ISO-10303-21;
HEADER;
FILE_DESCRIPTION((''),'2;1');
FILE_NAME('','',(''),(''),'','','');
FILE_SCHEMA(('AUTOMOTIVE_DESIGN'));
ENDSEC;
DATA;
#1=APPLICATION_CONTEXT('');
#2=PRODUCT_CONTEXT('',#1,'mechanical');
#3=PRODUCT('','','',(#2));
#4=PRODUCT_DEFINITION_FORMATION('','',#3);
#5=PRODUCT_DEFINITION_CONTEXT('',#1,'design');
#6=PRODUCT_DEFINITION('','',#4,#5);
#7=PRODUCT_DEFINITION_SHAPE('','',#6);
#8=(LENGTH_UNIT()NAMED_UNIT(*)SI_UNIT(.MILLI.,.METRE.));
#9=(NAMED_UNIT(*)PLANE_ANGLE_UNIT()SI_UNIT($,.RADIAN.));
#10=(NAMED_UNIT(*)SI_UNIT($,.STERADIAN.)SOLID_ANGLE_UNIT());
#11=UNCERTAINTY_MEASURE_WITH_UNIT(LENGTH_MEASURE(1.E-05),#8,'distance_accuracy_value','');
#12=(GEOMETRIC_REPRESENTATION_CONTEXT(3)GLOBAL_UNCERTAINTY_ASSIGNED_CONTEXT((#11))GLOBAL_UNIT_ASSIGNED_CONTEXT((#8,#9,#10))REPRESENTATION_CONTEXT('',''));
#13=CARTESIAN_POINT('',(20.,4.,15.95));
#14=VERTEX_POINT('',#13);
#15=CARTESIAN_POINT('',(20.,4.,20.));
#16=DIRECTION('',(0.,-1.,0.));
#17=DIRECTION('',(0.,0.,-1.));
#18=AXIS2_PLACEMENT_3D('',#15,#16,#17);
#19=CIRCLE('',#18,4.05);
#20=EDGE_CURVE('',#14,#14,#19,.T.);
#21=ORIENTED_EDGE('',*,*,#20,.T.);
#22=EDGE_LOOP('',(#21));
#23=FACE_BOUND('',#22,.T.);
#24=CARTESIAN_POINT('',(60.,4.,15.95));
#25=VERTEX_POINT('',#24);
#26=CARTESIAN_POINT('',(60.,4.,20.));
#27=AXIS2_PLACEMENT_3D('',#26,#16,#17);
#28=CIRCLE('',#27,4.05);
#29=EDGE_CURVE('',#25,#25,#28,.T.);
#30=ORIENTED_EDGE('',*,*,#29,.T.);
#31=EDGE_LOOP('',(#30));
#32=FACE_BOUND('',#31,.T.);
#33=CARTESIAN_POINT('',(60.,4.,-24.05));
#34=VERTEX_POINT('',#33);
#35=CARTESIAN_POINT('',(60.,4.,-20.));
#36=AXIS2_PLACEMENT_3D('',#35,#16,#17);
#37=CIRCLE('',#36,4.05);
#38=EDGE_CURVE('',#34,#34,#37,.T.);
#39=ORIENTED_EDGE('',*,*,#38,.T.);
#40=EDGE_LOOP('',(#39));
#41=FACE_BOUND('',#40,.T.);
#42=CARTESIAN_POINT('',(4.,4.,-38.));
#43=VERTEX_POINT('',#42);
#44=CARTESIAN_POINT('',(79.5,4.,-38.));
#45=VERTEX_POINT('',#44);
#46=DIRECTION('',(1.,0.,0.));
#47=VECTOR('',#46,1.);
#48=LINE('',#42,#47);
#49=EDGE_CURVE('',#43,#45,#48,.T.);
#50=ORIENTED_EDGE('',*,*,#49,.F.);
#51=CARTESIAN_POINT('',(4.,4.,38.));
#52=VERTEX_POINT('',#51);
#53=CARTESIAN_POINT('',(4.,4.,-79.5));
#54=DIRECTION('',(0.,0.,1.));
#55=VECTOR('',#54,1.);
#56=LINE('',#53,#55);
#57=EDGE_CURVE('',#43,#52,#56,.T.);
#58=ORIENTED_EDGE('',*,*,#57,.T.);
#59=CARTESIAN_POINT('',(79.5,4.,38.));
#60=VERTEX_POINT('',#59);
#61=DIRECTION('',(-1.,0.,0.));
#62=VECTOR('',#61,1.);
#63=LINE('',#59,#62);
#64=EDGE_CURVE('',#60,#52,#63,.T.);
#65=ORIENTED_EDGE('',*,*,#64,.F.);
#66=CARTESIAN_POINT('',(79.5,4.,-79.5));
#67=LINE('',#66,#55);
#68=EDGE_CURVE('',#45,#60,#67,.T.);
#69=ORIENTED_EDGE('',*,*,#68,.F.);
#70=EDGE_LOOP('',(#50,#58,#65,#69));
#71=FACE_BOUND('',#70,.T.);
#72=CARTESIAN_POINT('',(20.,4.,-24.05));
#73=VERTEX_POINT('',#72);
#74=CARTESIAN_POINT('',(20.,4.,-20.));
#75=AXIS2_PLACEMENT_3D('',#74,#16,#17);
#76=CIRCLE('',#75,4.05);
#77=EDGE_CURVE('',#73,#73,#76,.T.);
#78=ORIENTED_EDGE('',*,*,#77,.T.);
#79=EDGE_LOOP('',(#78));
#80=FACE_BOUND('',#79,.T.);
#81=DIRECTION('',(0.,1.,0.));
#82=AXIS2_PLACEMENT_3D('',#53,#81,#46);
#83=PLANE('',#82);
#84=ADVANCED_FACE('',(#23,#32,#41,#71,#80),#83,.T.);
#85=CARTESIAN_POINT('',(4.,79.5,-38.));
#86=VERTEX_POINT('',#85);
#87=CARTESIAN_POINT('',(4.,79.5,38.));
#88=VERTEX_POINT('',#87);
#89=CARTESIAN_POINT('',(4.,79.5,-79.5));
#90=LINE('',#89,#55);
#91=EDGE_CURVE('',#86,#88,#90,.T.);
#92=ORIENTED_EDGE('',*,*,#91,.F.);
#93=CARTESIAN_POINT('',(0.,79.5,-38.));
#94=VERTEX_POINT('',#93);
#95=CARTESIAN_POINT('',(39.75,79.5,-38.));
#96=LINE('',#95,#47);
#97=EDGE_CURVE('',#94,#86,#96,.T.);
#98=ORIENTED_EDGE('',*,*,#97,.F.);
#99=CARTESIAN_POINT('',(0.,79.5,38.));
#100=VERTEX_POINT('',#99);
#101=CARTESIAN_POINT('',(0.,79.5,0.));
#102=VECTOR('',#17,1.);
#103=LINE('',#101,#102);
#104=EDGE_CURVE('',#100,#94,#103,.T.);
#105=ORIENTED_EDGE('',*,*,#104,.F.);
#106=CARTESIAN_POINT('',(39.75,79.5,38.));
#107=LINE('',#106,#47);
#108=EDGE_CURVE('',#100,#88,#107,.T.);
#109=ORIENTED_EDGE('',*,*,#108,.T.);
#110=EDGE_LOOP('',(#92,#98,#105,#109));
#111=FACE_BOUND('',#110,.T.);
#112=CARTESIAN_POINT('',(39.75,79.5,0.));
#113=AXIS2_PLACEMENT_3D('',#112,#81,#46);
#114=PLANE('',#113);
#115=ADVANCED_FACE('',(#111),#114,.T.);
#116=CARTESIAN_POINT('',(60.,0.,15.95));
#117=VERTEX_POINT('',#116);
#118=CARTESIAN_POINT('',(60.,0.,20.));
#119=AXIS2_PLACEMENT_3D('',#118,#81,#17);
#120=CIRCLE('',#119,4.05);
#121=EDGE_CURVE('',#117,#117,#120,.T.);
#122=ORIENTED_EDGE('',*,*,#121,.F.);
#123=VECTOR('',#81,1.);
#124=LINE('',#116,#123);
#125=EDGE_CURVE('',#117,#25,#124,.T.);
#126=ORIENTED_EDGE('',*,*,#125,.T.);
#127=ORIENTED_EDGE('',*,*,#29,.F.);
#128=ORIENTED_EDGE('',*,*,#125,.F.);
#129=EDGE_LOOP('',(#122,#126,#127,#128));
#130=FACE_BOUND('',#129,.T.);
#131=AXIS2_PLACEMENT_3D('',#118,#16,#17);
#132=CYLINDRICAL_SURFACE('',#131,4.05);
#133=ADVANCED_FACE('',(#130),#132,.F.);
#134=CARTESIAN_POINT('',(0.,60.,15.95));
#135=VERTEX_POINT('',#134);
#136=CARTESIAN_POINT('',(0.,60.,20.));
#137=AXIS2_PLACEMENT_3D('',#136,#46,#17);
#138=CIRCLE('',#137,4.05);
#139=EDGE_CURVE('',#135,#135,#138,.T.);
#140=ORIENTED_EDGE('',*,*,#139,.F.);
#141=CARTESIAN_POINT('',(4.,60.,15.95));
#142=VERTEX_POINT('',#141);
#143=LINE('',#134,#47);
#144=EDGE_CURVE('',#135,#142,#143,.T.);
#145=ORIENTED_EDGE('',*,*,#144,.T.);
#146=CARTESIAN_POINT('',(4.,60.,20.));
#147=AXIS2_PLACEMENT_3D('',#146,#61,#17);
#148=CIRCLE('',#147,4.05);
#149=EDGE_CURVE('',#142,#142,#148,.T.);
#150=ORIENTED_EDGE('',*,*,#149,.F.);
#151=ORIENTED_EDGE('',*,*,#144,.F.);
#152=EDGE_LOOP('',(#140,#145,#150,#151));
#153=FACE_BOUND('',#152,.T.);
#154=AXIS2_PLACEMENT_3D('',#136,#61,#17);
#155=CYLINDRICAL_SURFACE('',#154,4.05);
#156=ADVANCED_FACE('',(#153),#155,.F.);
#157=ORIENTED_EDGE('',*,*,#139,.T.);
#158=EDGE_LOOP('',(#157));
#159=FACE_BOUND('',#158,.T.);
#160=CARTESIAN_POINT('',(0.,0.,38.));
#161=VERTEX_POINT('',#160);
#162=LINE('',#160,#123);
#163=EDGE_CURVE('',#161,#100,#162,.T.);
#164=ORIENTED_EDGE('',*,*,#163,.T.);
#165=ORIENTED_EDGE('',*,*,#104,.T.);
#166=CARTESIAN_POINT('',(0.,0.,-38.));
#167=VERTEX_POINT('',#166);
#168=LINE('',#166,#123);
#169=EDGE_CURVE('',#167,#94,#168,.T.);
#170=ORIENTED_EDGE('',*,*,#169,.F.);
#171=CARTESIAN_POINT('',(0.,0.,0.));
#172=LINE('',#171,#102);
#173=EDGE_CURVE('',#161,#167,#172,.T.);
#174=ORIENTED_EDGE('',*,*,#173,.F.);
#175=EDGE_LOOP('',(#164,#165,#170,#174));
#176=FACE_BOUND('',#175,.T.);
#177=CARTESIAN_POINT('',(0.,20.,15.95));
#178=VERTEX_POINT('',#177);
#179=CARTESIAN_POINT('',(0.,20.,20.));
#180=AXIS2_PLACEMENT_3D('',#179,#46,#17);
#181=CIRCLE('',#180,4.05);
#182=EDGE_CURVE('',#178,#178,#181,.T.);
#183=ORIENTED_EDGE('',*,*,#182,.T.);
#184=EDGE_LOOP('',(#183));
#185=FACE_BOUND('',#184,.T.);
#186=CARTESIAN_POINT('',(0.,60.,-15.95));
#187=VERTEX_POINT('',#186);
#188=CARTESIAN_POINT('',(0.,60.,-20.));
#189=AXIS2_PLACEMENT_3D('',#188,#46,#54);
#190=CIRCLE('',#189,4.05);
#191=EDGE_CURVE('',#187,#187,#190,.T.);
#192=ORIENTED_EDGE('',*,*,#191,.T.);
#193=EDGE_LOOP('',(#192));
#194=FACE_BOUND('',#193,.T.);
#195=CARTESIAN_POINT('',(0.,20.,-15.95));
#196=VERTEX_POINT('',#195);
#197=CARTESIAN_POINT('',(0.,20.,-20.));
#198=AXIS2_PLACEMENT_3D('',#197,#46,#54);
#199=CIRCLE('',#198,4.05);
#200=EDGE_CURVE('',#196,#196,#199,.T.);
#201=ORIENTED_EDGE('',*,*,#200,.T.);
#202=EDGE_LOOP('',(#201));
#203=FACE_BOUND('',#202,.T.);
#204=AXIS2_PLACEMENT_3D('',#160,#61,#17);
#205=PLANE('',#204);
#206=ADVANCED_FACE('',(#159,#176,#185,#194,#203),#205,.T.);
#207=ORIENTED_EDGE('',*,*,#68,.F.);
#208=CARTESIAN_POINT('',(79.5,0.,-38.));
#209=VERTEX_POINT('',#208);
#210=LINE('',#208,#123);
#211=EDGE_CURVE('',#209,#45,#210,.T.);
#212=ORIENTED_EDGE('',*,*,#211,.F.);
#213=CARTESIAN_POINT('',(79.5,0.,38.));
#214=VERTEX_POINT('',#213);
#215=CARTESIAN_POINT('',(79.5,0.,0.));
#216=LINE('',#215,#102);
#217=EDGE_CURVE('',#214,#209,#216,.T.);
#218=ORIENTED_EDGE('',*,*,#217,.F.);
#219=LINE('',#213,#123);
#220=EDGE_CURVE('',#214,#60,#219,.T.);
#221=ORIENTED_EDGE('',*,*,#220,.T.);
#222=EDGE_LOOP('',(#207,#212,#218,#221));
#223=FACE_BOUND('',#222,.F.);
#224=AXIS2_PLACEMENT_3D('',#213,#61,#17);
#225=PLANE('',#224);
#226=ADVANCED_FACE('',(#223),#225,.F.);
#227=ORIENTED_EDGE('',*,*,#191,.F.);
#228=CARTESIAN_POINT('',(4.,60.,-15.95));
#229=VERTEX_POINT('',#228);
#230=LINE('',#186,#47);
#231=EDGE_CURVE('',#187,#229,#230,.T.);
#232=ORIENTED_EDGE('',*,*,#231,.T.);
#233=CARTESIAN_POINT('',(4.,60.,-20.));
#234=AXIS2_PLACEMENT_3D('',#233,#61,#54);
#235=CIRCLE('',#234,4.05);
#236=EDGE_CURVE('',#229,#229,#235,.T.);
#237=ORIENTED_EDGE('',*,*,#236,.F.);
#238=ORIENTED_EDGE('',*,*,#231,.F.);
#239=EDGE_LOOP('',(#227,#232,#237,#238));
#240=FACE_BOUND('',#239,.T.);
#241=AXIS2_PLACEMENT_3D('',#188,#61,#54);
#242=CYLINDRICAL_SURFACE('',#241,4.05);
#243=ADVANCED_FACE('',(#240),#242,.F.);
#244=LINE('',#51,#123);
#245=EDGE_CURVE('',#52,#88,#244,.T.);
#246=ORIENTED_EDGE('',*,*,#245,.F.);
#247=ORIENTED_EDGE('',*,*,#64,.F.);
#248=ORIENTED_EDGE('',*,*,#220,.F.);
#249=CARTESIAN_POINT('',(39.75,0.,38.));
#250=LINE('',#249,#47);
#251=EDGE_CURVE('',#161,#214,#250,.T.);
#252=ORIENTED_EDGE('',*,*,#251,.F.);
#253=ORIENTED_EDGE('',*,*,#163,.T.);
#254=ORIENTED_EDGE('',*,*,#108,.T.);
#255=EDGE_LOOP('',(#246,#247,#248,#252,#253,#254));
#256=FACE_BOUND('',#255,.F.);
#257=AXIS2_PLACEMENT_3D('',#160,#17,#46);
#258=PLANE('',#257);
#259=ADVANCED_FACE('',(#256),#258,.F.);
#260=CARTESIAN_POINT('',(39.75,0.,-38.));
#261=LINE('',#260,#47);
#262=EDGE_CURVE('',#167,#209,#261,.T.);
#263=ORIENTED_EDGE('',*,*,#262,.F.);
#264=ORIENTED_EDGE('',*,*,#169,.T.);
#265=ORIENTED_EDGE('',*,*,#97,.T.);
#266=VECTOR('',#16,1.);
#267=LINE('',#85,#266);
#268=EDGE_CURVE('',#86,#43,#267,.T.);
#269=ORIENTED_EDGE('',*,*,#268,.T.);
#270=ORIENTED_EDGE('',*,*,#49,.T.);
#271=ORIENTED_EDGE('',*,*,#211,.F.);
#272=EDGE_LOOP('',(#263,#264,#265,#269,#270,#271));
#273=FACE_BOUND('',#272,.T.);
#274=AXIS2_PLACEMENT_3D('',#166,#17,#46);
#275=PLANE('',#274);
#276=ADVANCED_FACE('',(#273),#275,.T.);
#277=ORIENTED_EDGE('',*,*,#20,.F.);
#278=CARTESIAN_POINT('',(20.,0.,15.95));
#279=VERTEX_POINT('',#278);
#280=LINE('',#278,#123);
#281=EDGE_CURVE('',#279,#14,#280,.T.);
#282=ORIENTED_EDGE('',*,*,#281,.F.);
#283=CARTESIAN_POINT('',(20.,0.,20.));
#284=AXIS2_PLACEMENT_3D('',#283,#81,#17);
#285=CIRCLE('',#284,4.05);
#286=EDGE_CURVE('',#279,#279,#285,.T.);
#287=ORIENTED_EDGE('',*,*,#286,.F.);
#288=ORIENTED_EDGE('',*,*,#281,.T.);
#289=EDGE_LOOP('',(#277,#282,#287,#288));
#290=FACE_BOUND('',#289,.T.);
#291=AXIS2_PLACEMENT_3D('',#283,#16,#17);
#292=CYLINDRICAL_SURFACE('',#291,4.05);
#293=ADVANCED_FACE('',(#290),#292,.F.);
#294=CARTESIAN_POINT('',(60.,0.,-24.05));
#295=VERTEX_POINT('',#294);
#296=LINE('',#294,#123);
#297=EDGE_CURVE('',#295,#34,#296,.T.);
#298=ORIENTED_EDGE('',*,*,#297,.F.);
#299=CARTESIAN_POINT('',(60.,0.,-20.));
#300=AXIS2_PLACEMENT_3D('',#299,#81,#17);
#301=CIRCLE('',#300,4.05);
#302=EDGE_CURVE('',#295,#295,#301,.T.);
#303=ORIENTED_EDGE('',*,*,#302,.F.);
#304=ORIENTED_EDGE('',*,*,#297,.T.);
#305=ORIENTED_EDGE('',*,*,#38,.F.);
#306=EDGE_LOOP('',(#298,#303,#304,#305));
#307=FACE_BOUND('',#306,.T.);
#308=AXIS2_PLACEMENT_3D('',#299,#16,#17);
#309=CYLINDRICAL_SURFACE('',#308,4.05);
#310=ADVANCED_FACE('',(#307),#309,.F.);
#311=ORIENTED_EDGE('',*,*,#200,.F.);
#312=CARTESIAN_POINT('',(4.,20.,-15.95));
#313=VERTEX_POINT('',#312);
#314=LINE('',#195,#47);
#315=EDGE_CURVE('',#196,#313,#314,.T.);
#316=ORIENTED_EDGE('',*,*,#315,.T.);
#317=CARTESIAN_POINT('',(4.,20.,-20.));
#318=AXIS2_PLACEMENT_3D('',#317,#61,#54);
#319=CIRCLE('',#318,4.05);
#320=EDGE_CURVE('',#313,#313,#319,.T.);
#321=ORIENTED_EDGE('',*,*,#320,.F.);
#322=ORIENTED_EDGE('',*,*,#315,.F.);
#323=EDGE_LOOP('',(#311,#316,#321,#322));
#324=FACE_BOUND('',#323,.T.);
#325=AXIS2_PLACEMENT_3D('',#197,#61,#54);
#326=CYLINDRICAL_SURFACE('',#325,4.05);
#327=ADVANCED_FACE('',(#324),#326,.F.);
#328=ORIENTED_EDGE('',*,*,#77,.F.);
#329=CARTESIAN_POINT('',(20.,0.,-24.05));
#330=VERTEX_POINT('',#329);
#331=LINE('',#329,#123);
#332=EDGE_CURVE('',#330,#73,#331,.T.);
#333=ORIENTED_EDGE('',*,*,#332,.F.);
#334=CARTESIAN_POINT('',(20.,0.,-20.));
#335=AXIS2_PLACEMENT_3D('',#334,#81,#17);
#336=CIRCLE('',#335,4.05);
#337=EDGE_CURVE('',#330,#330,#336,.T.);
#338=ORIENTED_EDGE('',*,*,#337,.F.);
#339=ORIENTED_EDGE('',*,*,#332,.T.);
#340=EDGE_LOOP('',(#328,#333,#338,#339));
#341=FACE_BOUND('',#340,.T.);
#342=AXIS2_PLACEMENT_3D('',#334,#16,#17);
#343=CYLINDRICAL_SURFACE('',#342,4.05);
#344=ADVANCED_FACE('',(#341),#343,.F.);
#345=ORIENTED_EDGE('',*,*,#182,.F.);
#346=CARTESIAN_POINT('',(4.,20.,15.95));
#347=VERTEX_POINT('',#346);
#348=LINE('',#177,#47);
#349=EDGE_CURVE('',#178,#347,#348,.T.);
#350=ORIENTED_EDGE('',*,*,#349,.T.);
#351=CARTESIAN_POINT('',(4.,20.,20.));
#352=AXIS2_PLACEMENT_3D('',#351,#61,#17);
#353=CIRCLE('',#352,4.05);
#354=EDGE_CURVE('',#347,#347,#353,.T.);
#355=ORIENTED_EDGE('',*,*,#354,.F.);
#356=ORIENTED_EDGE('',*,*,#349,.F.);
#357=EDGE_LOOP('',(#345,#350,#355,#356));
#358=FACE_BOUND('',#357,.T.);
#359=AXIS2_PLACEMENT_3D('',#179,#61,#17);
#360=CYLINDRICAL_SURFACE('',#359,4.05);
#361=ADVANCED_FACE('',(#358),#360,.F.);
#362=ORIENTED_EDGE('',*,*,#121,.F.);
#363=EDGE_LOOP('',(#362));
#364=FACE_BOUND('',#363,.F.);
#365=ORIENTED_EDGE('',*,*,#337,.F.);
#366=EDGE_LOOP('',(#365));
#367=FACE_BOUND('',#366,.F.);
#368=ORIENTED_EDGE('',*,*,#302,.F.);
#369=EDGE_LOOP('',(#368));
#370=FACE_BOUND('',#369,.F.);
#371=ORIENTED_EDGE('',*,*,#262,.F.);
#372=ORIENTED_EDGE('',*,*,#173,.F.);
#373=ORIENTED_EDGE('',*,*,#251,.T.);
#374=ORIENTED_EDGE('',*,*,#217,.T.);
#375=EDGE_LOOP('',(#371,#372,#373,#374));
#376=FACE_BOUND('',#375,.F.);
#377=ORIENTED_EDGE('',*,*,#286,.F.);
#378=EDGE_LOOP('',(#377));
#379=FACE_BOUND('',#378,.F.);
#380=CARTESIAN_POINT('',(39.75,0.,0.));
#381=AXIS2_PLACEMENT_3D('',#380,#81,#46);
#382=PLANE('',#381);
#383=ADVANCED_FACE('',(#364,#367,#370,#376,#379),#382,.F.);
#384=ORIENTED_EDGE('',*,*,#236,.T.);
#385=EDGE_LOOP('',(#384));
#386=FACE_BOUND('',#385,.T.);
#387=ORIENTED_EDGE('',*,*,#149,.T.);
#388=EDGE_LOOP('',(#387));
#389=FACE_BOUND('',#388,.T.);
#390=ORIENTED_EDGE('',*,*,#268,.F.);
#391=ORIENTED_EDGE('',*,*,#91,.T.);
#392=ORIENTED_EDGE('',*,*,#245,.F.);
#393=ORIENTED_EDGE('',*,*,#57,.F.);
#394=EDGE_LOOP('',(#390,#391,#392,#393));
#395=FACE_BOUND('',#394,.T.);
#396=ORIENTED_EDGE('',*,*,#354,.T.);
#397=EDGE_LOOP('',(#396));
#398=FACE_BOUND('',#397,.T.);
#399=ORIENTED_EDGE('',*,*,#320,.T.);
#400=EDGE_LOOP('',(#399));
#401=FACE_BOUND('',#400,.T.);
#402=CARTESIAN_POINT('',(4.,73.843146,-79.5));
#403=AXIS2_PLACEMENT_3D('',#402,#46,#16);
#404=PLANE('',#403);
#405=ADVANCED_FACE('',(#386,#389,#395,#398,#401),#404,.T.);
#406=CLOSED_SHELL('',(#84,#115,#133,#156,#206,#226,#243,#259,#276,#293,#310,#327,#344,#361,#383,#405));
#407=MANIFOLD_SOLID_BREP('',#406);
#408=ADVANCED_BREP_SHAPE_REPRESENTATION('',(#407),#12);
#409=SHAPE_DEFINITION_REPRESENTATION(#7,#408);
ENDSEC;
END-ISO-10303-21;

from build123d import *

# Parameters (mm, degrees)
SKETCH1_W               = 79.5
SKETCH1_H               = 76
SKETCH1_R               = 4.05
BOSS_EXTRUDE1_DEPTH     = 79.5
SKETCH2_R               = 4.05
CUT_EXTRUDE1_DEPTH      = 79.5
CUT_EXTRUDE2_DEPTH      = 79.5
CUT_EXTRUDE2_DEPTH_BACK = 79.5
CUT_EXTRUDE3_DEPTH      = 79.5
CUT_EXTRUDE3_DEPTH_BACK = 79.5
SKETCH4_W               = 80.771817398
SKETCH4_H               = 76.525441438


with BuildPart() as part:
    # Sketch1 → Boss-Extrude1 (new body)
    with BuildSketch(Plane(origin=(0, 0, 0), x_dir=(1, 0, 0), z_dir=(0, 1, 0))):
        with Locations((39.75, 0)):
            Rectangle(SKETCH1_W, SKETCH1_H)
        with Locations(Location((20, 20, 0), (0, 0, 90))):
            Circle(SKETCH1_R, mode=Mode.SUBTRACT)
        with Locations(Location((60, 20, 0), (0, 0, 90))):
            Circle(SKETCH1_R, mode=Mode.SUBTRACT)
        with Locations(Location((60, -20, 0), (0, 0, 90))):
            Circle(SKETCH1_R, mode=Mode.SUBTRACT)
        with Locations(Location((20, -20, 0), (0, 0, 90))):
            Circle(SKETCH1_R, mode=Mode.SUBTRACT)
    extrude(amount=BOSS_EXTRUDE1_DEPTH)

    # Sketch2 → Cut-Extrude1 (cut)
    with BuildSketch(Plane(origin=(0, 0, 0), x_dir=(0, 0, -1), z_dir=(1, 0, 0))):
        with Locations((-20, 60)):
            Circle(SKETCH2_R)
        with Locations(Location((20, 60, 0), (0, 0, 180))):
            Circle(SKETCH2_R)
        with Locations(Location((20, 20, 0), (0, 0, 180))):
            Circle(SKETCH2_R)
        with Locations((-20, 20)):
            Circle(SKETCH2_R)
    extrude(amount=CUT_EXTRUDE1_DEPTH, mode=Mode.SUBTRACT)

    # Sketch3 → Cut-Extrude2 (cut, two sides: drawn at the far end of the back side and taken through both)
    with BuildSketch(Plane.XY.offset(-CUT_EXTRUDE2_DEPTH_BACK)):
        Polygon((4, 73.843145751), (4, 4), (73.843145751, 4), align=None)
        Polygon((4, 79.5), (79.5, 4), (79.5, 79.5), align=None)
    extrude(amount=CUT_EXTRUDE2_DEPTH + CUT_EXTRUDE2_DEPTH_BACK, mode=Mode.SUBTRACT)

    # Sketch4 → Cut-Extrude3 (cut, two sides: drawn at the far end of the back side and taken through both)
    with BuildSketch(Plane.XY.offset(-CUT_EXTRUDE3_DEPTH_BACK)):
        with Locations((44.385908699, 42.262720719)):
            Rectangle(SKETCH4_W, SKETCH4_H)
    extrude(amount=CUT_EXTRUDE3_DEPTH + CUT_EXTRUDE3_DEPTH_BACK, mode=Mode.SUBTRACT)


solid = part.part
